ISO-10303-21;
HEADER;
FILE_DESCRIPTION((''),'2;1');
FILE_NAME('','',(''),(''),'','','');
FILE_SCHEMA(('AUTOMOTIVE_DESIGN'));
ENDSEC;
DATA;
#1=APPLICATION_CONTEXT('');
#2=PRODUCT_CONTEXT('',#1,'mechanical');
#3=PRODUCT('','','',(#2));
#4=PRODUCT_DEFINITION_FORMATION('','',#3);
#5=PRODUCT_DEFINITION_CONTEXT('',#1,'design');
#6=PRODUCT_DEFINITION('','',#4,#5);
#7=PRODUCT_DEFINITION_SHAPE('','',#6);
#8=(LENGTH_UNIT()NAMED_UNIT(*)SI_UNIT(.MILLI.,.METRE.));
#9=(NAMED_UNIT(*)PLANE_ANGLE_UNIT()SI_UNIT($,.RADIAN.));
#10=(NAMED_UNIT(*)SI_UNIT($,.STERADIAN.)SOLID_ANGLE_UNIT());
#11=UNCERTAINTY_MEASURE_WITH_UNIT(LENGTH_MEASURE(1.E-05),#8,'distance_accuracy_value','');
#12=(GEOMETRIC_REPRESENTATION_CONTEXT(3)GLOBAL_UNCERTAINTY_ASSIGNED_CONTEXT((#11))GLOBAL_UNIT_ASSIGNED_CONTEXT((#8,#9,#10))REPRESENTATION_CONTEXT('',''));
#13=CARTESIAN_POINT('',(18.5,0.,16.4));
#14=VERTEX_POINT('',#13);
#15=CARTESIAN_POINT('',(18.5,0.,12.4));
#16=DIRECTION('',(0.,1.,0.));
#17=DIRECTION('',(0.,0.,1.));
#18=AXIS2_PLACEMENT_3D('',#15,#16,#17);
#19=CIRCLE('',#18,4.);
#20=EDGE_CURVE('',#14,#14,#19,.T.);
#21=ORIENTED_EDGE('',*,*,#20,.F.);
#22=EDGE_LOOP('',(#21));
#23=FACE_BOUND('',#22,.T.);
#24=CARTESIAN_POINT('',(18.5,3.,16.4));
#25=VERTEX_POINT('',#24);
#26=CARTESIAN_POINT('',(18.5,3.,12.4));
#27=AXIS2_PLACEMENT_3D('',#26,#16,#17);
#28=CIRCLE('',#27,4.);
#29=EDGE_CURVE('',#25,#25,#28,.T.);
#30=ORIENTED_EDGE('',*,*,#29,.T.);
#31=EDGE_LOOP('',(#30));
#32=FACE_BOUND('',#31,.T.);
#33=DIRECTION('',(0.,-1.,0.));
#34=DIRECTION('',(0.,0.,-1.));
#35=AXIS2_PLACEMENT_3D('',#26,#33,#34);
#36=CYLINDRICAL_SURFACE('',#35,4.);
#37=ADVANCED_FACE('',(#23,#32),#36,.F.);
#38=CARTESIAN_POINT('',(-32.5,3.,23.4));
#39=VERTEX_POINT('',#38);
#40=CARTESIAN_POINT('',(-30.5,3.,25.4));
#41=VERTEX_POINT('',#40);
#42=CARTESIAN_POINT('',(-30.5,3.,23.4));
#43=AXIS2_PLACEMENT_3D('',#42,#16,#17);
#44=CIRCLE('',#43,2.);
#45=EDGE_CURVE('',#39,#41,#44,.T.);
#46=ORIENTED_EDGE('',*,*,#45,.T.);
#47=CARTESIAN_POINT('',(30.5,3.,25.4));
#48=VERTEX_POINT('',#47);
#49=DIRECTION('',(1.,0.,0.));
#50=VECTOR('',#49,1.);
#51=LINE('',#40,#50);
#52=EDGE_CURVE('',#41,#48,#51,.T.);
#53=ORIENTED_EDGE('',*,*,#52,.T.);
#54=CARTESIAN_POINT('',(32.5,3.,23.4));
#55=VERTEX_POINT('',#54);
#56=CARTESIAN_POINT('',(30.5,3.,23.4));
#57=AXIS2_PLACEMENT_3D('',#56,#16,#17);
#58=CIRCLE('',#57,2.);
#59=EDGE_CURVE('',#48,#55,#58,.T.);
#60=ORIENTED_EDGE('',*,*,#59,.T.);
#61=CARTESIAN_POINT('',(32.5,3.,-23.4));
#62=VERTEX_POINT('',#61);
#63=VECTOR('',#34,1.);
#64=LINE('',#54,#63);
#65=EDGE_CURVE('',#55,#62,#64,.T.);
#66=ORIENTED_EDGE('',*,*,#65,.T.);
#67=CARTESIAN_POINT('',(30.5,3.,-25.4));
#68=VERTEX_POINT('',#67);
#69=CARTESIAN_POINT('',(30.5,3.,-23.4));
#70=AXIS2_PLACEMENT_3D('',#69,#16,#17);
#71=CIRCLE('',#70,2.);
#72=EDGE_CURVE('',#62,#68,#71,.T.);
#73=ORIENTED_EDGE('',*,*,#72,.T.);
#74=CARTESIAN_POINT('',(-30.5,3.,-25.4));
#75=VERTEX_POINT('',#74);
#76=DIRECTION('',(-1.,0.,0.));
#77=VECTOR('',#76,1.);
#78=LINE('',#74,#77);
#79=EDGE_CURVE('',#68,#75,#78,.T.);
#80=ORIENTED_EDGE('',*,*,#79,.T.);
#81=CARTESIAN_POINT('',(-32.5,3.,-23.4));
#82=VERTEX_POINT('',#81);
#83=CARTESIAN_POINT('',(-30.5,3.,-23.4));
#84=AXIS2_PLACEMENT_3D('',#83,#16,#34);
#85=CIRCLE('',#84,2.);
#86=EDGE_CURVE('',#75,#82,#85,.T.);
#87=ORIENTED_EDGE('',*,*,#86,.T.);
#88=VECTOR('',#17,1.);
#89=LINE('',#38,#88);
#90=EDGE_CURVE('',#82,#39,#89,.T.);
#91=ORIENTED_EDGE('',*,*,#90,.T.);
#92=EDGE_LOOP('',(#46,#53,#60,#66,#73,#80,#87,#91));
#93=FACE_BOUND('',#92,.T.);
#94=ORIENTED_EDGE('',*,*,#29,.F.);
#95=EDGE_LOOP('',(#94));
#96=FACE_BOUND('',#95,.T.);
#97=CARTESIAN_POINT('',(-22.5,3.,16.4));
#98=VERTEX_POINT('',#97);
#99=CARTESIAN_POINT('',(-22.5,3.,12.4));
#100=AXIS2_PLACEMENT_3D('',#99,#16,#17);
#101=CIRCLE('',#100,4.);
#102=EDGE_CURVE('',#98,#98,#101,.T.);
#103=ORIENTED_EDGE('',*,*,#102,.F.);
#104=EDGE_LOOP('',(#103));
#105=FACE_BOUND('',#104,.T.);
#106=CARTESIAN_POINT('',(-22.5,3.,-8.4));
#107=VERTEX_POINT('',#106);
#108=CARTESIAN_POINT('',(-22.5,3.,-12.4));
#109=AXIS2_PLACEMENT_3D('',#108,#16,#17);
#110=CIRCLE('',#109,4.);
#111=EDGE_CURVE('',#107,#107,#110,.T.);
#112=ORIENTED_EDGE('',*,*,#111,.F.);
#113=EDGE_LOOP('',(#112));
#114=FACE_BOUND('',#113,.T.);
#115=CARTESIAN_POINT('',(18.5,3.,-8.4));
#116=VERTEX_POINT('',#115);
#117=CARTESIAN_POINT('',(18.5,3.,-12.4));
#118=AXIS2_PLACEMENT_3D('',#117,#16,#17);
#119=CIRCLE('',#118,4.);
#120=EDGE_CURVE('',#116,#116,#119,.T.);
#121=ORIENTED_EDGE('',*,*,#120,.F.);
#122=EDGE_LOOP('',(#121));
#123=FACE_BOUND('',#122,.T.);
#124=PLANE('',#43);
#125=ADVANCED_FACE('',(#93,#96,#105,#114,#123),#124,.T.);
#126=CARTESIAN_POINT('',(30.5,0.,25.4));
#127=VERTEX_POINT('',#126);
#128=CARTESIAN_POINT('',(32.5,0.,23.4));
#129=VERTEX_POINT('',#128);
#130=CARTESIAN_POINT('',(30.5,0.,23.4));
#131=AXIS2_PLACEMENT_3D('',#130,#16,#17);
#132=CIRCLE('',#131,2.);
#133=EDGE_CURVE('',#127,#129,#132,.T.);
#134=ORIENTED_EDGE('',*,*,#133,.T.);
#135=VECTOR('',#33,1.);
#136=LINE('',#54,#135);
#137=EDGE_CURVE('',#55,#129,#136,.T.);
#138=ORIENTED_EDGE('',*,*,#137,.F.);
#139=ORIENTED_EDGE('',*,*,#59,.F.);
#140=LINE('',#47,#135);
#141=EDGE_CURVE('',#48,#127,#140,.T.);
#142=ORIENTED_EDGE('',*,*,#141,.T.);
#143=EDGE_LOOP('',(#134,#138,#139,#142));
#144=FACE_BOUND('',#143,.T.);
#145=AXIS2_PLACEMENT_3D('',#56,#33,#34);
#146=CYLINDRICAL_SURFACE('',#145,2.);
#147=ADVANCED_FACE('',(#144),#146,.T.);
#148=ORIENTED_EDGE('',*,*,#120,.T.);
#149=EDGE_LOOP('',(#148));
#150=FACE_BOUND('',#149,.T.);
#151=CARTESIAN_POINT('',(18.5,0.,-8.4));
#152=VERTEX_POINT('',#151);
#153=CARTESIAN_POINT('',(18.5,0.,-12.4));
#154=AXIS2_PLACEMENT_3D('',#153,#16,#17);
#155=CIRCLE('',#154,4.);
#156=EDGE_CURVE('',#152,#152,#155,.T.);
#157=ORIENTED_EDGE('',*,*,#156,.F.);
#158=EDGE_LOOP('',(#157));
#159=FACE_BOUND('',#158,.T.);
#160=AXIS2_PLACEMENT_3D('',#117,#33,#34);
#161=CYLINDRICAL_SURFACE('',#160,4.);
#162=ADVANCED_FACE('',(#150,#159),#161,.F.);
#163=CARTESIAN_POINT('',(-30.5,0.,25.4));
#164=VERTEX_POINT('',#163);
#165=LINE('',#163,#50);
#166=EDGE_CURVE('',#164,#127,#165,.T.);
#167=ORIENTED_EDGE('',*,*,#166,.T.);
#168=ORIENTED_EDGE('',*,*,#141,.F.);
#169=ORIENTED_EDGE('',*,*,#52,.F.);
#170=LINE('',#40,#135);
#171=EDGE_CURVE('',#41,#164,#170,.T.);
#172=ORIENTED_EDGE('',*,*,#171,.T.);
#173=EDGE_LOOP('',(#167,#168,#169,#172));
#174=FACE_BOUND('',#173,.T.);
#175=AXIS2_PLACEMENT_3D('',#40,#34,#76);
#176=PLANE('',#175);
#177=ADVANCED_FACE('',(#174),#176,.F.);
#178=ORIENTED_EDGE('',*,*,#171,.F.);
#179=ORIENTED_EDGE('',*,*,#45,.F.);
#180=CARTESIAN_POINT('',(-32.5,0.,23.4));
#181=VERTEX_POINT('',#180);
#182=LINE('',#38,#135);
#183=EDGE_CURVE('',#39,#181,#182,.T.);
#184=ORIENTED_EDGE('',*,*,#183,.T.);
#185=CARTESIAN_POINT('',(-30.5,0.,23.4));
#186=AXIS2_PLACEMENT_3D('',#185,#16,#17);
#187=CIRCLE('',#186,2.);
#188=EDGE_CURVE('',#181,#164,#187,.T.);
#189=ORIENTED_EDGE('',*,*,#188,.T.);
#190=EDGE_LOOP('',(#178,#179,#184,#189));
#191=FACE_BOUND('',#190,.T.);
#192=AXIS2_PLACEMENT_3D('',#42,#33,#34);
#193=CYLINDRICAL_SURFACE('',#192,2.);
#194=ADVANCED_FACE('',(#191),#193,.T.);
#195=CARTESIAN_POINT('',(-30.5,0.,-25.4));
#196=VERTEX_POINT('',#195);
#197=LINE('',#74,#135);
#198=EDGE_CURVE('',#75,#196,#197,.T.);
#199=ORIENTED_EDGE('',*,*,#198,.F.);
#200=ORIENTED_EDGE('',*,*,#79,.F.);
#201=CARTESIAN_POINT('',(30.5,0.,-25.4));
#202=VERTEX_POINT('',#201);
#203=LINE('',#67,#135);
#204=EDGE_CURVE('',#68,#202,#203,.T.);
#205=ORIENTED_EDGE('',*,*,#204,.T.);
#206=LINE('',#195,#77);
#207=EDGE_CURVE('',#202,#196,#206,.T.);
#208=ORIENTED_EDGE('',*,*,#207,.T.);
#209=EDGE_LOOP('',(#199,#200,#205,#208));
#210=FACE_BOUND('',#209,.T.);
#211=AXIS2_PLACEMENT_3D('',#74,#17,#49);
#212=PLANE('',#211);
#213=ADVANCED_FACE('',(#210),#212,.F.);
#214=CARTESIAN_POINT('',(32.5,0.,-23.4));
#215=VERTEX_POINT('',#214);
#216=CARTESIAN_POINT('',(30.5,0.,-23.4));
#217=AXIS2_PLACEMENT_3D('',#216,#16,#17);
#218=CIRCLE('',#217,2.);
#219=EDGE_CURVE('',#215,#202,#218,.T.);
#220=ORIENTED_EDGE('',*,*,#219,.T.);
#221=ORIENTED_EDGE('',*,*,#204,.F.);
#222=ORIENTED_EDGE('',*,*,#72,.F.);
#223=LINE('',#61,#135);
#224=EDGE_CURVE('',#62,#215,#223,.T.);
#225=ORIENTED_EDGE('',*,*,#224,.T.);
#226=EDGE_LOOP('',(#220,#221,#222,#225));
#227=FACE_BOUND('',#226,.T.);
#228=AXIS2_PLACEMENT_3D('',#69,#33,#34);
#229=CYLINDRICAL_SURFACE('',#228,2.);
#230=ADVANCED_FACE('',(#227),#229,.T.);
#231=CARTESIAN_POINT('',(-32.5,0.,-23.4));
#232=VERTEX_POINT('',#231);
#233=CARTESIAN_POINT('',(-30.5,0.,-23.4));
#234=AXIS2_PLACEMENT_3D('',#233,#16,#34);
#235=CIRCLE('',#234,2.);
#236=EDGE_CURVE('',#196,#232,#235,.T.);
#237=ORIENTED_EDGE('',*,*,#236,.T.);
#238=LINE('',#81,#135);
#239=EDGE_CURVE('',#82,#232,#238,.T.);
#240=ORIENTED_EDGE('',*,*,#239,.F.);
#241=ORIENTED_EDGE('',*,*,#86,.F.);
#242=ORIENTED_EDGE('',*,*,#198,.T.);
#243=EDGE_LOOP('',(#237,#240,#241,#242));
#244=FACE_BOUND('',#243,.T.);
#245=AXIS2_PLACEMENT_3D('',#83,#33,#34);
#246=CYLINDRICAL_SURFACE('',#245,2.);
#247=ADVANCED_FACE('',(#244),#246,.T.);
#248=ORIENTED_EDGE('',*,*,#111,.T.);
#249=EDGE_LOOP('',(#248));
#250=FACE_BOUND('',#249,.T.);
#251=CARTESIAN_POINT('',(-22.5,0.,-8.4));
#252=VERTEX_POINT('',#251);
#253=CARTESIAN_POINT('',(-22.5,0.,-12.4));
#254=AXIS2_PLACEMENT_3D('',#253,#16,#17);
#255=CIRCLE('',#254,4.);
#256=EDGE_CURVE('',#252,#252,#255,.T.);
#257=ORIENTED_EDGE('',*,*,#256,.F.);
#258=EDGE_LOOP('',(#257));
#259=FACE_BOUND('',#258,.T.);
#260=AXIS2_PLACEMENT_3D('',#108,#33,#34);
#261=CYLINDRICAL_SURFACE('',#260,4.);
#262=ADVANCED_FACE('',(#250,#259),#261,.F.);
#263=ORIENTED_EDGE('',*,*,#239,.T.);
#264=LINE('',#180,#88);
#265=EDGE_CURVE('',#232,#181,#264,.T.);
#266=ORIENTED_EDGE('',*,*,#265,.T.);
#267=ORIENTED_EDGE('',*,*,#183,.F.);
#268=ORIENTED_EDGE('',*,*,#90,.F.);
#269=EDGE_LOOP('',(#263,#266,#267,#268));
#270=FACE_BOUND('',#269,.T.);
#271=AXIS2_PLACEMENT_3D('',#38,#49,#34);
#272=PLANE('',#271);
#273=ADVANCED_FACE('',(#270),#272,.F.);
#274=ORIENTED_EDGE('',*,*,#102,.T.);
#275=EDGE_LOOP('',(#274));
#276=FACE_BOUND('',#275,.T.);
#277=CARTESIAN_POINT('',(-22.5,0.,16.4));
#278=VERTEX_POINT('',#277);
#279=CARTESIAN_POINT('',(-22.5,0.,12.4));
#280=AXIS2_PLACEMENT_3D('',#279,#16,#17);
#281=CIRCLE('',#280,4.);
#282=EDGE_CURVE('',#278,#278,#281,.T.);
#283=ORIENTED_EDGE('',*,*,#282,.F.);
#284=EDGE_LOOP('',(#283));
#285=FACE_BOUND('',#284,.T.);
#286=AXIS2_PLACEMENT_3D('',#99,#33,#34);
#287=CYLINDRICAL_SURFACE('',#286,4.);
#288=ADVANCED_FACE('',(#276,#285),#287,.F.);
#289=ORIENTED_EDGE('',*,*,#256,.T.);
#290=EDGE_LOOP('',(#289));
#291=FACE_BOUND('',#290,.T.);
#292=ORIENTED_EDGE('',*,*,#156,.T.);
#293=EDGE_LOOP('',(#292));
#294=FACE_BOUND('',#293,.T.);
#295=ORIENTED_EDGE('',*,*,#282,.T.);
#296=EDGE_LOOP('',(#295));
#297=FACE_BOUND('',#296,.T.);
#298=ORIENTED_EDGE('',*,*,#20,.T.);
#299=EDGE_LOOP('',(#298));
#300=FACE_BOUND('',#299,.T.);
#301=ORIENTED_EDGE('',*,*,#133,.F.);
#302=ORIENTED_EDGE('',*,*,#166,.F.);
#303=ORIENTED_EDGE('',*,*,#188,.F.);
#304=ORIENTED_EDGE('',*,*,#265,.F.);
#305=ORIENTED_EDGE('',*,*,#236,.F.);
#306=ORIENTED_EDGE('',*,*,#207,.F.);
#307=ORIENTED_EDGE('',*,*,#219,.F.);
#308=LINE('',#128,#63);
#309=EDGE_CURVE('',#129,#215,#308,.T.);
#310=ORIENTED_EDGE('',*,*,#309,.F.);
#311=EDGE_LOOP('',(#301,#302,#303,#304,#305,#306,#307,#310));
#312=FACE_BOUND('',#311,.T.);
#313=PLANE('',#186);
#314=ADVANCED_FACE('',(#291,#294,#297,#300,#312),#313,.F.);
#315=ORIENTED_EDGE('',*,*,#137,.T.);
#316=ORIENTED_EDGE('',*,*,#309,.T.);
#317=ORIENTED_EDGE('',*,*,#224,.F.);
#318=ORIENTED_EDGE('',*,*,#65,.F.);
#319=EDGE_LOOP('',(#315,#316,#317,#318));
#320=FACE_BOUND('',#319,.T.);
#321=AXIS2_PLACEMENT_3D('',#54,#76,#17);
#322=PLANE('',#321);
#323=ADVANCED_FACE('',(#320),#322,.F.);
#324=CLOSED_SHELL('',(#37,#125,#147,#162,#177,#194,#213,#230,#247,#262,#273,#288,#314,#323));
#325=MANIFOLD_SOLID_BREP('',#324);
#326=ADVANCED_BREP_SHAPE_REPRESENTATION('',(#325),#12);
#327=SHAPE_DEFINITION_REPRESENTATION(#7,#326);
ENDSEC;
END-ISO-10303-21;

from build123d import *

# Parameters (mm, degrees)
SKETCH1_R           = 4
BOSS_EXTRUDE1_DEPTH = 3


with BuildPart() as part:
    # Sketch1 → Boss-Extrude1 (new body)
    with BuildSketch(Plane(origin=(0, 0, 0), x_dir=(1, 0, 0), z_dir=(0, 1, 0))):
        with BuildLine():
            Line((-30.5, -25.4), (30.5, -25.4))
            ThreePointArc((30.5, -25.4), (31.914213562, -24.814213562), (32.5, -23.4))
            Line((32.5, -23.4), (32.5, 23.4))
            ThreePointArc((32.5, 23.4), (31.914213562, 24.814213562), (30.5, 25.4))
            Line((30.5, 25.4), (-30.5, 25.4))
            ThreePointArc((-30.5, 25.4), (-31.914213562, 24.814213562), (-32.5, 23.4))
            Line((-32.5, 23.4), (-32.5, -23.4))
            ThreePointArc((-32.5, -23.4), (-31.914213562, -24.814213562), (-30.5, -25.4))
        make_face()
        with Locations((-22.5, 12.4)):
            Circle(SKETCH1_R, mode=Mode.SUBTRACT)
        with Locations((18.5, 12.4)):
            Circle(SKETCH1_R, mode=Mode.SUBTRACT)
        with Locations((-22.5, -12.4)):
            Circle(SKETCH1_R, mode=Mode.SUBTRACT)
        with Locations((18.5, -12.4)):
            Circle(SKETCH1_R, mode=Mode.SUBTRACT)
    extrude(amount=BOSS_EXTRUDE1_DEPTH)


solid = part.part
